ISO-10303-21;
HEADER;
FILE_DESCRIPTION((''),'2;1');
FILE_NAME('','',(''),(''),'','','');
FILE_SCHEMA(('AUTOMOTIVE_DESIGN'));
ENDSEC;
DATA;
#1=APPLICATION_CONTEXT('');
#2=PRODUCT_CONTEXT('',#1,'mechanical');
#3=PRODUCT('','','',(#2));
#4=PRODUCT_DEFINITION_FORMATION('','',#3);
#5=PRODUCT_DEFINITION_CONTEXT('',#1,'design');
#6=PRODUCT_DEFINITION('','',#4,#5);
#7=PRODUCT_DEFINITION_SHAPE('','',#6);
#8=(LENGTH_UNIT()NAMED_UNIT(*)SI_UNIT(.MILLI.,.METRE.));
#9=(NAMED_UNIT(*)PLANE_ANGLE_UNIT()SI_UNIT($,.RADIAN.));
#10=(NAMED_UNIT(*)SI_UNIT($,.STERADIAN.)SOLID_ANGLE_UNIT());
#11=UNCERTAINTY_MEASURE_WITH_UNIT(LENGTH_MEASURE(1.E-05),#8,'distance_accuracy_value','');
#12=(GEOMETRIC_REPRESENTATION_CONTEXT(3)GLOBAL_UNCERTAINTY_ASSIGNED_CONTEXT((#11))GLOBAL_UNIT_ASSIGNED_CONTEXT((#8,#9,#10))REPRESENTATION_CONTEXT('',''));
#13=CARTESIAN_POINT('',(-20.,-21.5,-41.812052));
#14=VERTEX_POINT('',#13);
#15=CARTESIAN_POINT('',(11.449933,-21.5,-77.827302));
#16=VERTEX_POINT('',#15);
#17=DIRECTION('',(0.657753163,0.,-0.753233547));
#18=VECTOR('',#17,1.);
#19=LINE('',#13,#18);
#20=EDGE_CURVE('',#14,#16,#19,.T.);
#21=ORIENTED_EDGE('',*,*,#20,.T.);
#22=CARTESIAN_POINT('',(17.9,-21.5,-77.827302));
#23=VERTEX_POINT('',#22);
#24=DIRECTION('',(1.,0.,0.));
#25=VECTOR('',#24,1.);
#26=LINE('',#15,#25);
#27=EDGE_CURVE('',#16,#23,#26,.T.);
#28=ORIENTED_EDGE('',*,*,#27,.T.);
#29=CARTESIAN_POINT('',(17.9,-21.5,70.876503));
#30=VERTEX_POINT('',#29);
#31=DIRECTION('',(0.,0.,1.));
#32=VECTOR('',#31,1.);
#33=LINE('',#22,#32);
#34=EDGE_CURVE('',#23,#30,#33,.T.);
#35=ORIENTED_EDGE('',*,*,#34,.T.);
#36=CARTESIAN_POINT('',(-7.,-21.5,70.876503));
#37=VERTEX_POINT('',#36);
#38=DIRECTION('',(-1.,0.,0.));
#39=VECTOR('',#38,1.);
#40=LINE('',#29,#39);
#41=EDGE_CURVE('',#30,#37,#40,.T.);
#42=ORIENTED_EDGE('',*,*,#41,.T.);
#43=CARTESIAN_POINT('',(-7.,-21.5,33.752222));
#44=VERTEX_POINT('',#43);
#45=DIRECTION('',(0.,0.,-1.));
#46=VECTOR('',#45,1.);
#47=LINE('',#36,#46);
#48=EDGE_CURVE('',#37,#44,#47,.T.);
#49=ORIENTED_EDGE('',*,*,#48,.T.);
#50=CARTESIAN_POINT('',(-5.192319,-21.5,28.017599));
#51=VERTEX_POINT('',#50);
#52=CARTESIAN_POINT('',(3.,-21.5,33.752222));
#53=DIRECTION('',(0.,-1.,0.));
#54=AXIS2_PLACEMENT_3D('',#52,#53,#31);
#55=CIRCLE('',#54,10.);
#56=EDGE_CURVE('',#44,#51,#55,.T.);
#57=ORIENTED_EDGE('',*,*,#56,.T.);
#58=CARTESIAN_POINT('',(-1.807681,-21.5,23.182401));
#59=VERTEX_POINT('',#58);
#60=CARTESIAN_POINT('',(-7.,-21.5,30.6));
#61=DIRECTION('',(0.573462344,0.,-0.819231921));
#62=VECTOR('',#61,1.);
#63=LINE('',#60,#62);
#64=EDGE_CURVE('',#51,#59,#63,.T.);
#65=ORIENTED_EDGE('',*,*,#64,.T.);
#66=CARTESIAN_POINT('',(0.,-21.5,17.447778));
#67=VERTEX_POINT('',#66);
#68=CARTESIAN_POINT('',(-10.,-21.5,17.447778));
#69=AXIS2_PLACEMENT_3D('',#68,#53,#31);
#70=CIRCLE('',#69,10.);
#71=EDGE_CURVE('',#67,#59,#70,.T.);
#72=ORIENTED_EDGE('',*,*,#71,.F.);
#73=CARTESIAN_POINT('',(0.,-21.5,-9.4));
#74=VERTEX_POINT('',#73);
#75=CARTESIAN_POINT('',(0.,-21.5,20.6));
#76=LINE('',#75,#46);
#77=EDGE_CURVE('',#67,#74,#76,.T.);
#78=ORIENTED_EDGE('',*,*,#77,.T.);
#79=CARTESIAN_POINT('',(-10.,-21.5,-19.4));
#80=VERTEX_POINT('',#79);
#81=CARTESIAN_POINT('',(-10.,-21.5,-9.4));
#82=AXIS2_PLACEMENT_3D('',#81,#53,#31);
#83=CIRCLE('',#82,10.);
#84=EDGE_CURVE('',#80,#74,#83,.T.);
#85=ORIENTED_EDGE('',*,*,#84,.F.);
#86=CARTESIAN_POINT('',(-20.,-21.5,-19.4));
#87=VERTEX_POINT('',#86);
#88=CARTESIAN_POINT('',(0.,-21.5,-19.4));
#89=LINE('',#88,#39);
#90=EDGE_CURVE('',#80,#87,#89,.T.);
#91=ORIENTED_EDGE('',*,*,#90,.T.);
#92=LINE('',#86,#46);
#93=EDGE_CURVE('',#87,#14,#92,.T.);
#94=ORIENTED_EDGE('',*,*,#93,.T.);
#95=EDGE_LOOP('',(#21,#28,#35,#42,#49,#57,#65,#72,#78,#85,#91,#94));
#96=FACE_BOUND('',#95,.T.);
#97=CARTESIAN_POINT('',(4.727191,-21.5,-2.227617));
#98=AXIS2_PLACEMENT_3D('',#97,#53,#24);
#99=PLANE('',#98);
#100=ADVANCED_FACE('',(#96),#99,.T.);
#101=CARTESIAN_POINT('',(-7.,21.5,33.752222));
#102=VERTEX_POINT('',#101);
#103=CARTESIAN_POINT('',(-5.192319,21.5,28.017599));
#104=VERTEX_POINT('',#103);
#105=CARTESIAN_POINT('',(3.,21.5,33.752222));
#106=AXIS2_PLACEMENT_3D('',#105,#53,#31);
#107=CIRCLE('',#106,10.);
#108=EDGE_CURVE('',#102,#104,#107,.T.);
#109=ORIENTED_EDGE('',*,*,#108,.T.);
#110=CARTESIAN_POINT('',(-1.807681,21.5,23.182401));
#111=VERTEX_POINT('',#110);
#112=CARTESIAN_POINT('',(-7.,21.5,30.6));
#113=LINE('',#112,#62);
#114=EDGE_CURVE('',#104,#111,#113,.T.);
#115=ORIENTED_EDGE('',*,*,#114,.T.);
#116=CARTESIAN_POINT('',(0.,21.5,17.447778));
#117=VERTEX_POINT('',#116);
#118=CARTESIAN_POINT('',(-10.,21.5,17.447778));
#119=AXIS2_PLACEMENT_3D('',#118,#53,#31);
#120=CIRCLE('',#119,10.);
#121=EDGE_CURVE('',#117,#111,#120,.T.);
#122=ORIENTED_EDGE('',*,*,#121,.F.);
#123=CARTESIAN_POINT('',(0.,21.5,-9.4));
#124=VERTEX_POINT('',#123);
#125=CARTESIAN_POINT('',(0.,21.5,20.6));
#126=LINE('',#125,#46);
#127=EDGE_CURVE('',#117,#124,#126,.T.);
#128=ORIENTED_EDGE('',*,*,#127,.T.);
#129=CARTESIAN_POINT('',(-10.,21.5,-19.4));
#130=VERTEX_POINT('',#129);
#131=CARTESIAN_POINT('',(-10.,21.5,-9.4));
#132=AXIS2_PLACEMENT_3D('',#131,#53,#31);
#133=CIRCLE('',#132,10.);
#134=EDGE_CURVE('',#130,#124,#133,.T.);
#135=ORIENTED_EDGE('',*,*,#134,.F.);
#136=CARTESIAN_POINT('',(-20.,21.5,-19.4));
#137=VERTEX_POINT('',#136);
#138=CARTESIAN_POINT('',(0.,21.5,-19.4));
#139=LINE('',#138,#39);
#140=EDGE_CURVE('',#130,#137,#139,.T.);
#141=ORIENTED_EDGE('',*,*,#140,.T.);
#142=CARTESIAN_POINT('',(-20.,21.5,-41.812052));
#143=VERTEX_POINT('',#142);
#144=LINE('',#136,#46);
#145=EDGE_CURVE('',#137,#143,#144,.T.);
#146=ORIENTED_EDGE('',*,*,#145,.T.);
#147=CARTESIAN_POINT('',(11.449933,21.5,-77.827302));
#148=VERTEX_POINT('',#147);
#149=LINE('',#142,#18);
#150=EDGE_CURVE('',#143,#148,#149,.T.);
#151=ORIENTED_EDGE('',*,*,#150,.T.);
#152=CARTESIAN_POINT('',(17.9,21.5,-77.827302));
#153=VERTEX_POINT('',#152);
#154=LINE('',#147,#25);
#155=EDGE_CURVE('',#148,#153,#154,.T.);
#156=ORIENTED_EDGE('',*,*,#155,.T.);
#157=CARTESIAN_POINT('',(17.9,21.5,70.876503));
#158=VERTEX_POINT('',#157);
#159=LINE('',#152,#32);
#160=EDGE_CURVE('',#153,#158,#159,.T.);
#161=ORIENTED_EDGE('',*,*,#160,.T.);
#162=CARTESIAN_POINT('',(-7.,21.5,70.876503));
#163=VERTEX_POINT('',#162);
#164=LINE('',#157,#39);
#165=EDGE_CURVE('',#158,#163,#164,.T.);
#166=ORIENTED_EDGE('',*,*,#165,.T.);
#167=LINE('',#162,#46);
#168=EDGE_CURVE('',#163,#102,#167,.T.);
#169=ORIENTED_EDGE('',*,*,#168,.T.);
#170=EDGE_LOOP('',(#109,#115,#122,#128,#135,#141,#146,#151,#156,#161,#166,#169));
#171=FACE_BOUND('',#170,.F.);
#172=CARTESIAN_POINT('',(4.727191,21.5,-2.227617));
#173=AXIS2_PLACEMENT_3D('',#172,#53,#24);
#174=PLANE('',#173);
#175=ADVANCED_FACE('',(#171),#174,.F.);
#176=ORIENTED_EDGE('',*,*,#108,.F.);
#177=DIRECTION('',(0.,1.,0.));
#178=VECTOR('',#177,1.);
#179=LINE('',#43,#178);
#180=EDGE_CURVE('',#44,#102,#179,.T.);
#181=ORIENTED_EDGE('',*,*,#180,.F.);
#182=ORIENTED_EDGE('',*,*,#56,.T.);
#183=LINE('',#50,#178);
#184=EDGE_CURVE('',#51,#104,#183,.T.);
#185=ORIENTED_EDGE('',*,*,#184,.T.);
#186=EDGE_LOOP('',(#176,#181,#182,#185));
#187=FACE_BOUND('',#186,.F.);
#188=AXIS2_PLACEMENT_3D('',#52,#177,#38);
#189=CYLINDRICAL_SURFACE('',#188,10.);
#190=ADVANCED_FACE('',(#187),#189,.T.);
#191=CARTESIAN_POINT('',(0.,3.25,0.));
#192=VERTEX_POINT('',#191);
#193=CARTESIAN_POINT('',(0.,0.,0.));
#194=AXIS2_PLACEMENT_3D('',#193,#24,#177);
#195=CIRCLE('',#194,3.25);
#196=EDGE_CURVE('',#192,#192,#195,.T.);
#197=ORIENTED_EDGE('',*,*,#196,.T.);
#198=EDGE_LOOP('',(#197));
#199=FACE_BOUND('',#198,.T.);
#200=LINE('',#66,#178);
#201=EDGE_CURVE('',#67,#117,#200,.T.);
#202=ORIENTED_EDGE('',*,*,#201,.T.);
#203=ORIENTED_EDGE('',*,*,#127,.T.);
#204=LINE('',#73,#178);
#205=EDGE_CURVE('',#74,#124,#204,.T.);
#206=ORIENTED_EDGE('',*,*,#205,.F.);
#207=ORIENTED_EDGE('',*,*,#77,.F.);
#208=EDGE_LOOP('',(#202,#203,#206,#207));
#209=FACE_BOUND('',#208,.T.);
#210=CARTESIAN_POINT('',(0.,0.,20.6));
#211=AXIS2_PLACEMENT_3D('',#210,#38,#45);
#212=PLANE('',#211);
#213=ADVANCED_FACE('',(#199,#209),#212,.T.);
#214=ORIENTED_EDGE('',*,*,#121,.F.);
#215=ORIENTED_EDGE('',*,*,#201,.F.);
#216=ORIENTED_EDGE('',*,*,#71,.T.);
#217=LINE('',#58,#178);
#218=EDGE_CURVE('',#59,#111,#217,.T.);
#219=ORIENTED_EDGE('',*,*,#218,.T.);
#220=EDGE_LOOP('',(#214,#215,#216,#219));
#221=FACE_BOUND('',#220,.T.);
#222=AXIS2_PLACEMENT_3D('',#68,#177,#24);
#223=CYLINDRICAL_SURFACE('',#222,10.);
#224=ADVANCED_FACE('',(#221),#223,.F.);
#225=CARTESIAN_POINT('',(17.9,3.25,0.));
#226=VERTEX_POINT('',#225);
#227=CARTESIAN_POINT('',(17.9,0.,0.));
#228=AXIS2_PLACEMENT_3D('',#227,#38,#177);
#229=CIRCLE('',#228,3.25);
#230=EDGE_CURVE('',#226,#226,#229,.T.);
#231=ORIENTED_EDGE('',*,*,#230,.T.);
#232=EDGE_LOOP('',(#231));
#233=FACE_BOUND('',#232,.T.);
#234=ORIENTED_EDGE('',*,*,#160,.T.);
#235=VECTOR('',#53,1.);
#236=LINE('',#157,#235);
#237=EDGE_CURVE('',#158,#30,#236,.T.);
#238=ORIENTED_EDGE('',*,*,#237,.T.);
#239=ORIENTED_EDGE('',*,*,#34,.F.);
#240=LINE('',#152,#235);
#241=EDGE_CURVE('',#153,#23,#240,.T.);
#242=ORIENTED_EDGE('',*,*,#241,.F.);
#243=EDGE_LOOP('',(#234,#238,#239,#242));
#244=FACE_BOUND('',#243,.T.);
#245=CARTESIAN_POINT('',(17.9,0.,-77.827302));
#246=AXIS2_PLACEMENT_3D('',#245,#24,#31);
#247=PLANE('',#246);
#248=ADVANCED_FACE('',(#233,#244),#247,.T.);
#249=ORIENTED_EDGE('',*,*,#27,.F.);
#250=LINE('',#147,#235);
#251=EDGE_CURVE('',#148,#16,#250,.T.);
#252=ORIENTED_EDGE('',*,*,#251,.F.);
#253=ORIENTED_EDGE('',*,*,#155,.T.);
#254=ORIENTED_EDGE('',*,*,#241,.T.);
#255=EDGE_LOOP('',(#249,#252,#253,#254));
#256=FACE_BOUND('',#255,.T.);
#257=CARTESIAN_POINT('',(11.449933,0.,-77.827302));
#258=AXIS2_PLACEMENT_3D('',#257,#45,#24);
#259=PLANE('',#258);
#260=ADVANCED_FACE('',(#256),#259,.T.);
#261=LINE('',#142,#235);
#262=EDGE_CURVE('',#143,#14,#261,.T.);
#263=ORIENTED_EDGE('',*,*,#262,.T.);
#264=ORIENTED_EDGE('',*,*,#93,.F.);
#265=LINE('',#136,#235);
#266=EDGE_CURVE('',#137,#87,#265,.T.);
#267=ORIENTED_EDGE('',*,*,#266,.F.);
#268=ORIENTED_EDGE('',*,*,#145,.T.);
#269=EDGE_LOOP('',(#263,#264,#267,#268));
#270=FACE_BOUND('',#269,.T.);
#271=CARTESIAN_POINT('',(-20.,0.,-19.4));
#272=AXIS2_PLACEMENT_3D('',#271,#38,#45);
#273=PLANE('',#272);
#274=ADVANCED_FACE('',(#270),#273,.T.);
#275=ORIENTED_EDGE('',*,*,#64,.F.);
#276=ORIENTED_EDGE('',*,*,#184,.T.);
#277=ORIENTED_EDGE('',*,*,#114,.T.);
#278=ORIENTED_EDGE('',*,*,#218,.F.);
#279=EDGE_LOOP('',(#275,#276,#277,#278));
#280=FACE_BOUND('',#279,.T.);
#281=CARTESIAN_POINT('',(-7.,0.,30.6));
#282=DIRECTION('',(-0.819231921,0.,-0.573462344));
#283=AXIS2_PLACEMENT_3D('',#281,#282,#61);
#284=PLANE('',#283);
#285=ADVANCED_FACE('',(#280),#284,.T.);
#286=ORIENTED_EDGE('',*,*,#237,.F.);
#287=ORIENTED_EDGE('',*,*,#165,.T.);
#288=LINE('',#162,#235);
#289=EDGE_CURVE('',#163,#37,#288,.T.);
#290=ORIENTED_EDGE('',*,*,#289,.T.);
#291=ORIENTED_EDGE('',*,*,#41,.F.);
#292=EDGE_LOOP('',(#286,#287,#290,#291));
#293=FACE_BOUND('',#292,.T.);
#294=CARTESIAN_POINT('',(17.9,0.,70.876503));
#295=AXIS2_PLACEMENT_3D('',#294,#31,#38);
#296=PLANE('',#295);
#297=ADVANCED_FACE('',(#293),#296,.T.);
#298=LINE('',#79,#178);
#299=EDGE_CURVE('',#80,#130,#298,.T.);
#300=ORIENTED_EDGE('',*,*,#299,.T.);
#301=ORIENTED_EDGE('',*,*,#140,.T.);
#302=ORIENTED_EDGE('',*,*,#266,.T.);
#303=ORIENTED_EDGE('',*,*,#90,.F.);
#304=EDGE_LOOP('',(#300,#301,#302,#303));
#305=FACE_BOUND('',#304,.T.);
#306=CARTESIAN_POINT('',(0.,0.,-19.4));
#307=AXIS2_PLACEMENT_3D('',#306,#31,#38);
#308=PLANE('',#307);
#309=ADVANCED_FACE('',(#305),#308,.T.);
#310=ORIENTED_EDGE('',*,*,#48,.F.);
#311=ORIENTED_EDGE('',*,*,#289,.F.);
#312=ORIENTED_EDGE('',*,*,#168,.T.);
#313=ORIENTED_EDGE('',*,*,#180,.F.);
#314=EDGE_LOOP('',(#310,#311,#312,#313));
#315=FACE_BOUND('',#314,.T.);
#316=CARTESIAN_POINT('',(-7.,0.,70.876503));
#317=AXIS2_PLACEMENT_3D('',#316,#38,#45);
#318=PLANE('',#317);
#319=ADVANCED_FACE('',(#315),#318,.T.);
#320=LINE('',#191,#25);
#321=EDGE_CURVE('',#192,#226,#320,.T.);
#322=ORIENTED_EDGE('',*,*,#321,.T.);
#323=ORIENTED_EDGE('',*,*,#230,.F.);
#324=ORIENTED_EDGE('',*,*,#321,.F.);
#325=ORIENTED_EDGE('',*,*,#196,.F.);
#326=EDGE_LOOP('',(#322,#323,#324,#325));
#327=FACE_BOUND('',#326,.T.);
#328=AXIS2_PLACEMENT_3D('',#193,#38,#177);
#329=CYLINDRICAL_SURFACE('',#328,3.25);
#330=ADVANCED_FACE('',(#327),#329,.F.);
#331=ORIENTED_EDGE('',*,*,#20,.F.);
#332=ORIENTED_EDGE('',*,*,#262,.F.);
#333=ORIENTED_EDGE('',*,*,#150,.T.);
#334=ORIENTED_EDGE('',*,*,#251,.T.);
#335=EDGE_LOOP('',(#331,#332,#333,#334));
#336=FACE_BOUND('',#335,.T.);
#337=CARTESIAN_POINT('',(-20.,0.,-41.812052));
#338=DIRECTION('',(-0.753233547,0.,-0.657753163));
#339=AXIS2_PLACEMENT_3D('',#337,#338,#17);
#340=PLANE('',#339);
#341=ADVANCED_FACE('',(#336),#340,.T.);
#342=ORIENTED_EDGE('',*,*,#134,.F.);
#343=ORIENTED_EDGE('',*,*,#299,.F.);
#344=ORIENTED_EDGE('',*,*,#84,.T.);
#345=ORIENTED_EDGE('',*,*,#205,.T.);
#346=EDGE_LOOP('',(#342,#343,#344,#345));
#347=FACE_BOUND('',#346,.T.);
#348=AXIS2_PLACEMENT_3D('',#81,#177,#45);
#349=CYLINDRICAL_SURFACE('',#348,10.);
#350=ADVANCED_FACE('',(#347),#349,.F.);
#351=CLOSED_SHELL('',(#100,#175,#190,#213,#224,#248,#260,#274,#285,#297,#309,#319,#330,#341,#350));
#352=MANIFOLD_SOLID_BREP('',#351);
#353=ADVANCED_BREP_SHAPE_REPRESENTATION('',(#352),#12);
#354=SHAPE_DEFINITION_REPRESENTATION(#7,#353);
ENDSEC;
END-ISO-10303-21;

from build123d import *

# Parameters (mm, degrees)
F1_DEPTH = 21.5
F2_R     = 3.25
F3_DEPTH = 17.901
F4_R     = 10


with BuildPart() as f1:
    # F0 (on Front) → F1 (new body, symmetric)
    with BuildSketch(Plane.XZ):
        Polygon((0, -19.4), (-20, -19.4), (-20, -41.812051613), (11.4499329693, -77.827301579), (17.9, -77.827301579), (17.9, 70.8765028308), (-7, 70.8765028308), (-7, 30.6), (0, 20.6), align=None)
    extrude(amount=F1_DEPTH, both=True)

    # F2 (on Right) → F3 (cut, through all)
    with BuildSketch(Plane.YZ):
        Circle(F2_R)
    extrude(amount=F3_DEPTH, mode=Mode.SUBTRACT)

    # F4
    f4_edges = [f1.edges().sort_by_distance(p)[0] for p in [
        (0, 0, -19.4),
        (0, 0, 20.6),
        (-7, 0, 30.6),
    ]]
    fillet(f4_edges, radius=F4_R)


solid = f1.part
